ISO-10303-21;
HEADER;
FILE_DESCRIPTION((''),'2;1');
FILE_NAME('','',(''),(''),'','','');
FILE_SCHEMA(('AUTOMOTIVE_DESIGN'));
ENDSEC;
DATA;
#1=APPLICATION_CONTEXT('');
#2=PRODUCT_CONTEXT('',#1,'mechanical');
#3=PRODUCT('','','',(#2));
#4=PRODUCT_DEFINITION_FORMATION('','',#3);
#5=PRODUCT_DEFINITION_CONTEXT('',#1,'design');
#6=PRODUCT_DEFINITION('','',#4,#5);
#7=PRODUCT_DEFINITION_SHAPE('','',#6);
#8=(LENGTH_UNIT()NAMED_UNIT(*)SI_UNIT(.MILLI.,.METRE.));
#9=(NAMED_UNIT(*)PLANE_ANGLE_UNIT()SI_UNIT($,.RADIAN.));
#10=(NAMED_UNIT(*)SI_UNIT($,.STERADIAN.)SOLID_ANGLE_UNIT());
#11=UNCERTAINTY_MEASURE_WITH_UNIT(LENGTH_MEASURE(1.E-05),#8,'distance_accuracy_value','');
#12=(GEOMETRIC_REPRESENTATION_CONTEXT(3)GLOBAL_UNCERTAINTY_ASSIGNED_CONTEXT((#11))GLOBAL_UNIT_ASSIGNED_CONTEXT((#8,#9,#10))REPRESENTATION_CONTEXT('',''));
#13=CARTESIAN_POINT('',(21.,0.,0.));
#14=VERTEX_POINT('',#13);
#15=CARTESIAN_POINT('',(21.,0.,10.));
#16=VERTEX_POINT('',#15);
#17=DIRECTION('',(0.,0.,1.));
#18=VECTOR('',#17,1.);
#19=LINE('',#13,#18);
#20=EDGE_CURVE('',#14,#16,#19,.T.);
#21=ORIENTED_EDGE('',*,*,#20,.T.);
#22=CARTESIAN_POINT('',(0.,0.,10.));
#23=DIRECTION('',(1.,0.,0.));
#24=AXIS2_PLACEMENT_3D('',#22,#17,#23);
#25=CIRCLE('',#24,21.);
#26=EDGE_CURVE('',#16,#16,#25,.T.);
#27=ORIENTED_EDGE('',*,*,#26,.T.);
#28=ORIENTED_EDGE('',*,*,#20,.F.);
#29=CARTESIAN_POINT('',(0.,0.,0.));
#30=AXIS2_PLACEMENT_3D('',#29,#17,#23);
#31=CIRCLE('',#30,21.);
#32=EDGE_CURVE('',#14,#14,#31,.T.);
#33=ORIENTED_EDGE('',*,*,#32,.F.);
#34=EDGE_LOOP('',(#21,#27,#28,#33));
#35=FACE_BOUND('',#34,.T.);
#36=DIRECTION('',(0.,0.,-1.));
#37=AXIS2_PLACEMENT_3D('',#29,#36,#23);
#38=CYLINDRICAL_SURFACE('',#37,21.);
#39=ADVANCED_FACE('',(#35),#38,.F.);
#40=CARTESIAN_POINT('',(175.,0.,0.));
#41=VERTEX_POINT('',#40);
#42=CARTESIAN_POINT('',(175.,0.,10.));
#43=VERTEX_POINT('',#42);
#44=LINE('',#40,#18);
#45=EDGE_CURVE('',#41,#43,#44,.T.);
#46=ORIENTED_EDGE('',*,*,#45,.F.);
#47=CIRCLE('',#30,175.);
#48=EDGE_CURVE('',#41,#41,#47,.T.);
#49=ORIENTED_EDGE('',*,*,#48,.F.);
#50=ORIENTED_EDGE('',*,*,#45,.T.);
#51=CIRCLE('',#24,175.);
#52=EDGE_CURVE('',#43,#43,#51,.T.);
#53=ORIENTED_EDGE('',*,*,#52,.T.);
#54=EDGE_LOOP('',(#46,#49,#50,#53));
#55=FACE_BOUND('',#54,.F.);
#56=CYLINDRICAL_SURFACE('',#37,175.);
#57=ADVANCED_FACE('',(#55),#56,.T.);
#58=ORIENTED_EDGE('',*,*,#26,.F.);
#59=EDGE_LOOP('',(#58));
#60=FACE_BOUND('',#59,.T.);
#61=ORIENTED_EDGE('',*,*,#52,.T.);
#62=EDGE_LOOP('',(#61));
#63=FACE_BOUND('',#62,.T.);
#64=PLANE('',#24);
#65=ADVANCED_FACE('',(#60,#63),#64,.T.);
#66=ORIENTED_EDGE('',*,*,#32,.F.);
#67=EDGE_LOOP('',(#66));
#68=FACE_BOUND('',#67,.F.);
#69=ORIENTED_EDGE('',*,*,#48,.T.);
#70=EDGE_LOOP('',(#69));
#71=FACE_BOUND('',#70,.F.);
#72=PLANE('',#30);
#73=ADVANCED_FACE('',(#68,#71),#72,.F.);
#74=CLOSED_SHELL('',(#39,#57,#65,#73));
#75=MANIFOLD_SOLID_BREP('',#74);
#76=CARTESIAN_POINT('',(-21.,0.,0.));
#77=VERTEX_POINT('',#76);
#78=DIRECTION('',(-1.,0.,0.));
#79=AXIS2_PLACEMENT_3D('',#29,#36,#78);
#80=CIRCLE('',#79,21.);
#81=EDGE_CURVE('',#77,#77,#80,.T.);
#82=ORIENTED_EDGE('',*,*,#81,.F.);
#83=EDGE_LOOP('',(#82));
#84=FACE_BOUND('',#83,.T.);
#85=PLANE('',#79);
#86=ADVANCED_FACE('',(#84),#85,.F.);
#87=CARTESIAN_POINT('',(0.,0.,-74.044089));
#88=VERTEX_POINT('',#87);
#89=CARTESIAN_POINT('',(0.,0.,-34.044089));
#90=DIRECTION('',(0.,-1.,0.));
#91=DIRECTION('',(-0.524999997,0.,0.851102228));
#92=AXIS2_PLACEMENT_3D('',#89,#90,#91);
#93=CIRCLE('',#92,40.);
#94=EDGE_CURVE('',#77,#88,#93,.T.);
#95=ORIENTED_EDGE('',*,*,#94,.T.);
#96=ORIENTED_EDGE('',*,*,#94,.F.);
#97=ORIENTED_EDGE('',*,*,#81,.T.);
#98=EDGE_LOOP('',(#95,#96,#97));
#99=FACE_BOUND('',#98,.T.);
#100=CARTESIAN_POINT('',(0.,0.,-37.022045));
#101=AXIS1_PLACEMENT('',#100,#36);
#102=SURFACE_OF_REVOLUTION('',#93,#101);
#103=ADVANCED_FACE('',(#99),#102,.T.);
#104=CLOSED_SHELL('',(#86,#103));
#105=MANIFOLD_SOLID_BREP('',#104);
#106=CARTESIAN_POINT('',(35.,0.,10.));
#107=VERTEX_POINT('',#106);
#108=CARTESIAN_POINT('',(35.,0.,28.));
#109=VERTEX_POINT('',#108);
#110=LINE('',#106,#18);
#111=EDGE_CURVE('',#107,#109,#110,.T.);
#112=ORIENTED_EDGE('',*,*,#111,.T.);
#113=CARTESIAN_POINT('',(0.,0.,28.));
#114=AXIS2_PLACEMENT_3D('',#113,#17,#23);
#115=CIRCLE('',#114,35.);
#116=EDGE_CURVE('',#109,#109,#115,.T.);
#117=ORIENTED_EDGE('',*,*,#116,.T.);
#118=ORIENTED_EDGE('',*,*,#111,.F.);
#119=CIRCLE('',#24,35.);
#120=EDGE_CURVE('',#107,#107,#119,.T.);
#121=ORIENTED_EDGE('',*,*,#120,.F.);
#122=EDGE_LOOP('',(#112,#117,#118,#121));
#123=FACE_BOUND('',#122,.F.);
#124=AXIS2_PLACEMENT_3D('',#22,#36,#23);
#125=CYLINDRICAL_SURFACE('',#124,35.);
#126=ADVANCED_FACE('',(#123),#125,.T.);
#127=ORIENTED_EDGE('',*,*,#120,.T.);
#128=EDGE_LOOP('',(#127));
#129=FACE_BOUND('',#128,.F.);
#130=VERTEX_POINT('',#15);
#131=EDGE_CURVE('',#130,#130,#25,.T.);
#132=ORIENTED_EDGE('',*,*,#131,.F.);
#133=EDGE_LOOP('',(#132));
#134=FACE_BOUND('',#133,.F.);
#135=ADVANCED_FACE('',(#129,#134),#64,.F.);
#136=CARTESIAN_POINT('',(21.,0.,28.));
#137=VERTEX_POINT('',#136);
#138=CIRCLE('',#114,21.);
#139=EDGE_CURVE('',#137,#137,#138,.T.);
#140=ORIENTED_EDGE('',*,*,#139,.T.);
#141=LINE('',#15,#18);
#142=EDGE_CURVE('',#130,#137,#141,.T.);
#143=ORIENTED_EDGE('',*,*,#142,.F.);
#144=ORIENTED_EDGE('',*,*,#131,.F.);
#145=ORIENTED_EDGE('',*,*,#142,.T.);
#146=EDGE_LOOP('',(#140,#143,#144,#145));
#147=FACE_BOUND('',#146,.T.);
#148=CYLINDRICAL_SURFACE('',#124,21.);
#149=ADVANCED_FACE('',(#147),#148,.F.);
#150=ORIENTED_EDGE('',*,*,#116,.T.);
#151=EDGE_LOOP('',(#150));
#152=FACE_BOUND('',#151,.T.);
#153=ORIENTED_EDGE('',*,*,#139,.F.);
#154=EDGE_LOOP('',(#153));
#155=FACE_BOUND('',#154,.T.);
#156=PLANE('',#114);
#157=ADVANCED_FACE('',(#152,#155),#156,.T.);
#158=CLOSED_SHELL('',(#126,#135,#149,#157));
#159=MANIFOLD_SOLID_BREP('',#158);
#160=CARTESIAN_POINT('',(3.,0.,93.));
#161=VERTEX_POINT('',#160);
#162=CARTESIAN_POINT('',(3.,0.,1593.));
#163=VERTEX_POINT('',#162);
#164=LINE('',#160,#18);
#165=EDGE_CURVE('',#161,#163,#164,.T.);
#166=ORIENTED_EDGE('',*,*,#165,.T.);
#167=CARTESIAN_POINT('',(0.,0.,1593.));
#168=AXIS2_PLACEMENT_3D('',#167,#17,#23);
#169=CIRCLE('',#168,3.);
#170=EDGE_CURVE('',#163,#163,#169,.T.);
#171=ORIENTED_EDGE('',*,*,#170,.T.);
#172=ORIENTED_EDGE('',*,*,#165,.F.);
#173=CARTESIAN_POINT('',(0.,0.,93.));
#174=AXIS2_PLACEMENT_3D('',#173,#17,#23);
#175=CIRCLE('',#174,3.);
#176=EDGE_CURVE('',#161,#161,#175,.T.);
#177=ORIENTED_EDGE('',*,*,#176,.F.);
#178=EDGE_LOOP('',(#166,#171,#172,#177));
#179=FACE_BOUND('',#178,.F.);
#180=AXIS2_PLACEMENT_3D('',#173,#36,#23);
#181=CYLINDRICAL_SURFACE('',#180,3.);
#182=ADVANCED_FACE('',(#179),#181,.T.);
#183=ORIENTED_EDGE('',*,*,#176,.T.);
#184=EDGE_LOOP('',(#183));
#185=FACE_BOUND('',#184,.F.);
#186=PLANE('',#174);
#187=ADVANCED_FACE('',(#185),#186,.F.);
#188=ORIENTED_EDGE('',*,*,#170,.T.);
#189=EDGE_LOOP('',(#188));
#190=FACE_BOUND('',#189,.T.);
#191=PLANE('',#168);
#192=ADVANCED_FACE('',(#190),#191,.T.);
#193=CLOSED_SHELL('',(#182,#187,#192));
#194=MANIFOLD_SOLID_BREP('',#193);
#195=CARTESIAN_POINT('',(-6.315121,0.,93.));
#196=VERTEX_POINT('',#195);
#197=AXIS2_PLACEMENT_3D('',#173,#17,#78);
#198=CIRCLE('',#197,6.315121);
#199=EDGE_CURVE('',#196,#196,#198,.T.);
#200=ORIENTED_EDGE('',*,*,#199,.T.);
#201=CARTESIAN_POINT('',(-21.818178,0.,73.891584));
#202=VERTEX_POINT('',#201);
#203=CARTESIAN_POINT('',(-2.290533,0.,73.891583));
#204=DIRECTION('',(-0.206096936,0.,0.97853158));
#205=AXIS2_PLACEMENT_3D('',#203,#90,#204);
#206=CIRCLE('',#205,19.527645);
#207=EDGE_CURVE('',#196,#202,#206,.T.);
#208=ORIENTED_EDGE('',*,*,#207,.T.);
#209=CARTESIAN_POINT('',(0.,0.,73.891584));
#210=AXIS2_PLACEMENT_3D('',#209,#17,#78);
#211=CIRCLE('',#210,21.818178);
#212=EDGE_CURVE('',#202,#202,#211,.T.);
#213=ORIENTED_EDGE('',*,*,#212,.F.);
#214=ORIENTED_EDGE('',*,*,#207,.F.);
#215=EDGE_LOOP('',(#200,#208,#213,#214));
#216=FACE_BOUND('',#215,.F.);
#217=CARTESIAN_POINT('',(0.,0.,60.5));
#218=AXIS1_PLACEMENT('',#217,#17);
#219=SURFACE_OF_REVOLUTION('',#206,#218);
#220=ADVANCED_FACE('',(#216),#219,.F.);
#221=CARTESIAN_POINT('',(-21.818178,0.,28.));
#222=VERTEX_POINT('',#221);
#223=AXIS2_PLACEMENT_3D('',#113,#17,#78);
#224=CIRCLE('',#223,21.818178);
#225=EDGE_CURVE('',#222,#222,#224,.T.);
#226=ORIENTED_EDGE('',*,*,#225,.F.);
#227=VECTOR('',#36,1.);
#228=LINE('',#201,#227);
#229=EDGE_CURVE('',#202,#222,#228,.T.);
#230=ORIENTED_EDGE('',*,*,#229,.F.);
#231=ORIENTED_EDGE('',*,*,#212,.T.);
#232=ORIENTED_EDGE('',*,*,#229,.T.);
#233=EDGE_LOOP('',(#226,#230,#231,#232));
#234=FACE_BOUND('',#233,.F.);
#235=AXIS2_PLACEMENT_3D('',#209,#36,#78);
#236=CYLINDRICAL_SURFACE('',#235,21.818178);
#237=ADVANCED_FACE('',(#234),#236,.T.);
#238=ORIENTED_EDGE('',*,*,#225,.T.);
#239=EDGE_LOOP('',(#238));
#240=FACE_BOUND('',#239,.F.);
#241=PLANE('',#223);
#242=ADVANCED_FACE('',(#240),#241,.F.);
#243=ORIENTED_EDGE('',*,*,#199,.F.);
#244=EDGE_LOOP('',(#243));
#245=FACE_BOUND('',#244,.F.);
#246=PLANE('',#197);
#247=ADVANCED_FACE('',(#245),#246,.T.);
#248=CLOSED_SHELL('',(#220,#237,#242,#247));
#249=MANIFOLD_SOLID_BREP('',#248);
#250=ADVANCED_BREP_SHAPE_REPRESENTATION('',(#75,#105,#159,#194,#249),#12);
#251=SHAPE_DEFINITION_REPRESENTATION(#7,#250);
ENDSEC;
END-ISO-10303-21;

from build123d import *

# Parameters (mm, degrees)
F0_R     = 175
F0_R_2   = 21
F1_DEPTH = 10
F2_R     = 35
F2_R_2   = 21
F3_DEPTH = 18
F8_R     = 3
F9_DEPTH = 1500


with BuildPart() as f1:
    # F0 (on Top) → F1 (new body)
    with BuildSketch(Plane.XY):
        Circle(F0_R)
        Circle(F0_R_2, mode=Mode.SUBTRACT)
    extrude(amount=F1_DEPTH)


with BuildPart() as f3:
    # F2 (on face) → F3 (new body)
    with BuildSketch(Plane.XY.offset(10)):
        Circle(F2_R)
        Circle(F2_R_2, mode=Mode.SUBTRACT)
    extrude(amount=F3_DEPTH)


with BuildPart() as f5:
    # F4 (on Front) → F5 (revolve)
    with BuildSketch(Plane.XZ):
        with BuildLine():
            Line((-21.818178, 28), (0, 28))
            Line((0, 28), (0, 93))
            Line((0, 93), (-6.315121, 93))
            ThreePointArc((-6.315121, 93), (-17.454959, 86.194798), (-21.818178, 73.891584))
            Line((-21.818178, 73.891584), (-21.818178, 28))
        make_face()
    revolve(axis=Axis((0, 0, 60.5), (0, 0, 1)))


with BuildPart() as f7:
    # F6 (on Front) → F7 (revolve)
    with BuildSketch(Plane.XZ):
        with BuildLine():
            Line((0, 0), (-21, 0))
            ThreePointArc((-21, 0), (-38.482227, -44.958218), (0, -74.044089))
            Line((0, -74.044089), (0, 0))
        make_face()
    revolve(axis=Axis((0, 0, -37.022045), (0, 0, -1)))


with BuildPart() as f9:
    # F8 (on face) → F9 (new body)
    with BuildSketch(Plane.XY.offset(93)):
        Circle(F8_R)
    extrude(amount=F9_DEPTH)


solid = Compound([f1.part, f3.part, f5.part, f7.part, f9.part])
